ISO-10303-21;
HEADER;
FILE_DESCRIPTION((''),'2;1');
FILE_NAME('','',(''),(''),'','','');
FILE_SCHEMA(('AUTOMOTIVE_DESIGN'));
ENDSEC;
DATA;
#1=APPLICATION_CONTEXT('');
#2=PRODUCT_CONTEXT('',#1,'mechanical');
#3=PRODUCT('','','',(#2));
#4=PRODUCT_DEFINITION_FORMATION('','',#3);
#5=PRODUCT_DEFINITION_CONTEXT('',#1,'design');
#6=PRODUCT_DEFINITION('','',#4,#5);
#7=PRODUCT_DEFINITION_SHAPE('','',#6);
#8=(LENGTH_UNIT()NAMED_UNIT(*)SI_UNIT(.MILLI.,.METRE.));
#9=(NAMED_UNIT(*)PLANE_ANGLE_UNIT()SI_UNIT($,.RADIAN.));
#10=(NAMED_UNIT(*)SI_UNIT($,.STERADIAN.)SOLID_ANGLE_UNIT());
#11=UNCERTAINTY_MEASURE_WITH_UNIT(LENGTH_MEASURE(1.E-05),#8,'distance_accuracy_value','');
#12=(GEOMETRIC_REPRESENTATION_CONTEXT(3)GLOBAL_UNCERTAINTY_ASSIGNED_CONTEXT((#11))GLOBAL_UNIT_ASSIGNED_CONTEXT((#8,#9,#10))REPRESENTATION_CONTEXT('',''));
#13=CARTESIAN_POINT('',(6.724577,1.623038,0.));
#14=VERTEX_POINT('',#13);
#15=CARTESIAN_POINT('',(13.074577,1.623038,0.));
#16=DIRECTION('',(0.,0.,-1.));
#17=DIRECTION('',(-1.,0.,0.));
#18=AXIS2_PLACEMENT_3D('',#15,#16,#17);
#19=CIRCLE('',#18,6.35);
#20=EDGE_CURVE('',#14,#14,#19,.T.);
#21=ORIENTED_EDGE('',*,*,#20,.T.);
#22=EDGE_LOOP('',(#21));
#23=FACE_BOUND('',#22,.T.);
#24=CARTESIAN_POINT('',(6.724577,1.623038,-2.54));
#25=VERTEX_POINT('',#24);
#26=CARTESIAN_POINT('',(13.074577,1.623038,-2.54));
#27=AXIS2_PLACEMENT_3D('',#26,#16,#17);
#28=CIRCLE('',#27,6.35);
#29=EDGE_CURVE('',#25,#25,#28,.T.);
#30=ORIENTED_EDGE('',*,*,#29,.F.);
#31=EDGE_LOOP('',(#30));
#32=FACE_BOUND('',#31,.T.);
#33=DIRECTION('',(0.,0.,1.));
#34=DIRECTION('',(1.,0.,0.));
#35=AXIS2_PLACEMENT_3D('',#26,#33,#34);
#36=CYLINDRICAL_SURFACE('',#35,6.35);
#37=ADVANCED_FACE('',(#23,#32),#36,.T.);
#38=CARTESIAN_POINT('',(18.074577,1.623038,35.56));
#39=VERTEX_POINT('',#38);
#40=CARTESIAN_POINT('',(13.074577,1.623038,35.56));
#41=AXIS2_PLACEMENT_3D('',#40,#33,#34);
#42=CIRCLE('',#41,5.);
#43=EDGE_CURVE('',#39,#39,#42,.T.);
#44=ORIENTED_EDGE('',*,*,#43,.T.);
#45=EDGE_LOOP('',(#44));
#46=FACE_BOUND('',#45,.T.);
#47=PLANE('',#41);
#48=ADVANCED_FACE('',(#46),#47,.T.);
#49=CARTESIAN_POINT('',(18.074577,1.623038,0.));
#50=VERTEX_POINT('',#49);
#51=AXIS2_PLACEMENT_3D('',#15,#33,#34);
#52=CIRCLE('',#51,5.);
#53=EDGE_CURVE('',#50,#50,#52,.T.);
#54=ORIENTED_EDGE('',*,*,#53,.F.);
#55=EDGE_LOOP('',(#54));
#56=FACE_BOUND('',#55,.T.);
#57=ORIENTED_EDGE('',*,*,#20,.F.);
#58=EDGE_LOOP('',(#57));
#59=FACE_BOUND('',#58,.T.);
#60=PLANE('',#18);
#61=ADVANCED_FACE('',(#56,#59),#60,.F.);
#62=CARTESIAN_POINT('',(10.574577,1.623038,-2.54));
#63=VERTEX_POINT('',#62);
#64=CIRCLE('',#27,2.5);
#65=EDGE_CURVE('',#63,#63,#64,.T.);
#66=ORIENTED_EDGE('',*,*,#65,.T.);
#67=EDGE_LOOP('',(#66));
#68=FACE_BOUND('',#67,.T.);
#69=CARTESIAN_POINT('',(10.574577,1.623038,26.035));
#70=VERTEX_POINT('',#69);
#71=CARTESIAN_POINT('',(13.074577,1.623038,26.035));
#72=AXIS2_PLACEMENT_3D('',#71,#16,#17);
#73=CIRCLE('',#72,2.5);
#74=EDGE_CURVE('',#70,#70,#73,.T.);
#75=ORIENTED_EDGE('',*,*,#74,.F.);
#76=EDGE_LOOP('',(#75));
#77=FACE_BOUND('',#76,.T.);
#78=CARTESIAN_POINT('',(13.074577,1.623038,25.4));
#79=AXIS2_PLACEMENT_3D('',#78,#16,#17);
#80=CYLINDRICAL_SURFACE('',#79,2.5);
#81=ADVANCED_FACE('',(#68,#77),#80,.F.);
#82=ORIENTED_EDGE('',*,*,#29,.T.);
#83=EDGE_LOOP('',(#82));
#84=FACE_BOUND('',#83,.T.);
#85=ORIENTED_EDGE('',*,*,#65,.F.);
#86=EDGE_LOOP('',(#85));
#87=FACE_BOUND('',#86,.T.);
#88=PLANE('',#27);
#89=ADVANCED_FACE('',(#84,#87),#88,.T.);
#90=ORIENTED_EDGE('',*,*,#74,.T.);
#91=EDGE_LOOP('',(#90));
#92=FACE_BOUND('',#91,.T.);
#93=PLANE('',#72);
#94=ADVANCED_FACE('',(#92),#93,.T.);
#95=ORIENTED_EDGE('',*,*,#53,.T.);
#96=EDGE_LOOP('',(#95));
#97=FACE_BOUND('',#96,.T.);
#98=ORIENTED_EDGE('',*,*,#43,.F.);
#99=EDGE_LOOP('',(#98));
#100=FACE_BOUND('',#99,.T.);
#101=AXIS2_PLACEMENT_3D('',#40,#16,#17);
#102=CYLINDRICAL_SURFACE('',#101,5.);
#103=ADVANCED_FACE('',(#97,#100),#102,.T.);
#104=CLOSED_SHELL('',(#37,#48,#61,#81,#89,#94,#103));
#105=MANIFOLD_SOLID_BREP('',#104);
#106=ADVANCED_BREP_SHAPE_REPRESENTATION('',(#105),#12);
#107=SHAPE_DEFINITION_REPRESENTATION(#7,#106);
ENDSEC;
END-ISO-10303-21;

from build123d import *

# Parameters (mm, degrees)
SKETCH2_R               = 5
BOSS_EXTRUDE1_DEPTH     = 35.56
CUT_EXTRUDE1_DEPTH      = 25.4
CUT_EXTRUDE1_DEPTH_BACK = 1
SKETCH3_R               = 6.35
BOSS_EXTRUDE2_DEPTH     = 2.54
CUT_EXTRUDE2_DEPTH      = 2.54
SKETCH5_R               = 2.5
CUT_EXTRUDE3_DEPTH      = 28.575


with BuildPart() as part:
    # Sketch2 → Boss-Extrude1 (new body)
    with BuildSketch(Plane.XY):
        with Locations((13.074576669, 1.623038211)):
            Circle(SKETCH2_R)
    extrude(amount=BOSS_EXTRUDE1_DEPTH)

    # Sketch1 → Cut-Extrude1 (cut, two sides)
    with BuildSketch(Plane.XY) as cut_extrude1_sk:
        with BuildLine():
            Line((15.515382974, 2.163838155), (14.277170381, -0.568711858))
            ThreePointArc((14.277170381, -0.568711858), (10.797451658, 2.654882038), (15.515382974, 2.163838155))
        make_face()
    extrude(amount=CUT_EXTRUDE1_DEPTH, mode=Mode.SUBTRACT)
    extrude(cut_extrude1_sk.sketch, amount=-CUT_EXTRUDE1_DEPTH_BACK, mode=Mode.SUBTRACT)

    # Sketch3 → Boss-Extrude2 (add)
    with BuildSketch(Plane(origin=(0, 0, 0), x_dir=(-1, 0, 0), z_dir=(0, 0, -1))):
        with Locations((-13.074576669, 1.623038211)):
            Circle(SKETCH3_R)
    extrude(amount=BOSS_EXTRUDE2_DEPTH)

    # Sketch4 → Cut-Extrude2 (cut)
    with BuildSketch(Plane(origin=(0, 0, -2.54), x_dir=(-1, 0, 0), z_dir=(0, 0, -1))):
        with BuildLine():
            Line((-15.515382974, 2.163838155), (-14.277170381, -0.568711858))
            ThreePointArc((-14.277170381, -0.568711858), (-10.797451658, 2.654882038), (-15.515382974, 2.163838155))
        make_face()
    extrude(amount=-CUT_EXTRUDE2_DEPTH, mode=Mode.SUBTRACT)

    # Sketch5 → Cut-Extrude3 (cut)
    with BuildSketch(Plane(origin=(0, 0, -2.54), x_dir=(-1, 0, 0), z_dir=(0, 0, -1))):
        with Locations((-13.074576669, 1.623038211)):
            Circle(SKETCH5_R)
    extrude(amount=-CUT_EXTRUDE3_DEPTH, mode=Mode.SUBTRACT)


solid = part.part
